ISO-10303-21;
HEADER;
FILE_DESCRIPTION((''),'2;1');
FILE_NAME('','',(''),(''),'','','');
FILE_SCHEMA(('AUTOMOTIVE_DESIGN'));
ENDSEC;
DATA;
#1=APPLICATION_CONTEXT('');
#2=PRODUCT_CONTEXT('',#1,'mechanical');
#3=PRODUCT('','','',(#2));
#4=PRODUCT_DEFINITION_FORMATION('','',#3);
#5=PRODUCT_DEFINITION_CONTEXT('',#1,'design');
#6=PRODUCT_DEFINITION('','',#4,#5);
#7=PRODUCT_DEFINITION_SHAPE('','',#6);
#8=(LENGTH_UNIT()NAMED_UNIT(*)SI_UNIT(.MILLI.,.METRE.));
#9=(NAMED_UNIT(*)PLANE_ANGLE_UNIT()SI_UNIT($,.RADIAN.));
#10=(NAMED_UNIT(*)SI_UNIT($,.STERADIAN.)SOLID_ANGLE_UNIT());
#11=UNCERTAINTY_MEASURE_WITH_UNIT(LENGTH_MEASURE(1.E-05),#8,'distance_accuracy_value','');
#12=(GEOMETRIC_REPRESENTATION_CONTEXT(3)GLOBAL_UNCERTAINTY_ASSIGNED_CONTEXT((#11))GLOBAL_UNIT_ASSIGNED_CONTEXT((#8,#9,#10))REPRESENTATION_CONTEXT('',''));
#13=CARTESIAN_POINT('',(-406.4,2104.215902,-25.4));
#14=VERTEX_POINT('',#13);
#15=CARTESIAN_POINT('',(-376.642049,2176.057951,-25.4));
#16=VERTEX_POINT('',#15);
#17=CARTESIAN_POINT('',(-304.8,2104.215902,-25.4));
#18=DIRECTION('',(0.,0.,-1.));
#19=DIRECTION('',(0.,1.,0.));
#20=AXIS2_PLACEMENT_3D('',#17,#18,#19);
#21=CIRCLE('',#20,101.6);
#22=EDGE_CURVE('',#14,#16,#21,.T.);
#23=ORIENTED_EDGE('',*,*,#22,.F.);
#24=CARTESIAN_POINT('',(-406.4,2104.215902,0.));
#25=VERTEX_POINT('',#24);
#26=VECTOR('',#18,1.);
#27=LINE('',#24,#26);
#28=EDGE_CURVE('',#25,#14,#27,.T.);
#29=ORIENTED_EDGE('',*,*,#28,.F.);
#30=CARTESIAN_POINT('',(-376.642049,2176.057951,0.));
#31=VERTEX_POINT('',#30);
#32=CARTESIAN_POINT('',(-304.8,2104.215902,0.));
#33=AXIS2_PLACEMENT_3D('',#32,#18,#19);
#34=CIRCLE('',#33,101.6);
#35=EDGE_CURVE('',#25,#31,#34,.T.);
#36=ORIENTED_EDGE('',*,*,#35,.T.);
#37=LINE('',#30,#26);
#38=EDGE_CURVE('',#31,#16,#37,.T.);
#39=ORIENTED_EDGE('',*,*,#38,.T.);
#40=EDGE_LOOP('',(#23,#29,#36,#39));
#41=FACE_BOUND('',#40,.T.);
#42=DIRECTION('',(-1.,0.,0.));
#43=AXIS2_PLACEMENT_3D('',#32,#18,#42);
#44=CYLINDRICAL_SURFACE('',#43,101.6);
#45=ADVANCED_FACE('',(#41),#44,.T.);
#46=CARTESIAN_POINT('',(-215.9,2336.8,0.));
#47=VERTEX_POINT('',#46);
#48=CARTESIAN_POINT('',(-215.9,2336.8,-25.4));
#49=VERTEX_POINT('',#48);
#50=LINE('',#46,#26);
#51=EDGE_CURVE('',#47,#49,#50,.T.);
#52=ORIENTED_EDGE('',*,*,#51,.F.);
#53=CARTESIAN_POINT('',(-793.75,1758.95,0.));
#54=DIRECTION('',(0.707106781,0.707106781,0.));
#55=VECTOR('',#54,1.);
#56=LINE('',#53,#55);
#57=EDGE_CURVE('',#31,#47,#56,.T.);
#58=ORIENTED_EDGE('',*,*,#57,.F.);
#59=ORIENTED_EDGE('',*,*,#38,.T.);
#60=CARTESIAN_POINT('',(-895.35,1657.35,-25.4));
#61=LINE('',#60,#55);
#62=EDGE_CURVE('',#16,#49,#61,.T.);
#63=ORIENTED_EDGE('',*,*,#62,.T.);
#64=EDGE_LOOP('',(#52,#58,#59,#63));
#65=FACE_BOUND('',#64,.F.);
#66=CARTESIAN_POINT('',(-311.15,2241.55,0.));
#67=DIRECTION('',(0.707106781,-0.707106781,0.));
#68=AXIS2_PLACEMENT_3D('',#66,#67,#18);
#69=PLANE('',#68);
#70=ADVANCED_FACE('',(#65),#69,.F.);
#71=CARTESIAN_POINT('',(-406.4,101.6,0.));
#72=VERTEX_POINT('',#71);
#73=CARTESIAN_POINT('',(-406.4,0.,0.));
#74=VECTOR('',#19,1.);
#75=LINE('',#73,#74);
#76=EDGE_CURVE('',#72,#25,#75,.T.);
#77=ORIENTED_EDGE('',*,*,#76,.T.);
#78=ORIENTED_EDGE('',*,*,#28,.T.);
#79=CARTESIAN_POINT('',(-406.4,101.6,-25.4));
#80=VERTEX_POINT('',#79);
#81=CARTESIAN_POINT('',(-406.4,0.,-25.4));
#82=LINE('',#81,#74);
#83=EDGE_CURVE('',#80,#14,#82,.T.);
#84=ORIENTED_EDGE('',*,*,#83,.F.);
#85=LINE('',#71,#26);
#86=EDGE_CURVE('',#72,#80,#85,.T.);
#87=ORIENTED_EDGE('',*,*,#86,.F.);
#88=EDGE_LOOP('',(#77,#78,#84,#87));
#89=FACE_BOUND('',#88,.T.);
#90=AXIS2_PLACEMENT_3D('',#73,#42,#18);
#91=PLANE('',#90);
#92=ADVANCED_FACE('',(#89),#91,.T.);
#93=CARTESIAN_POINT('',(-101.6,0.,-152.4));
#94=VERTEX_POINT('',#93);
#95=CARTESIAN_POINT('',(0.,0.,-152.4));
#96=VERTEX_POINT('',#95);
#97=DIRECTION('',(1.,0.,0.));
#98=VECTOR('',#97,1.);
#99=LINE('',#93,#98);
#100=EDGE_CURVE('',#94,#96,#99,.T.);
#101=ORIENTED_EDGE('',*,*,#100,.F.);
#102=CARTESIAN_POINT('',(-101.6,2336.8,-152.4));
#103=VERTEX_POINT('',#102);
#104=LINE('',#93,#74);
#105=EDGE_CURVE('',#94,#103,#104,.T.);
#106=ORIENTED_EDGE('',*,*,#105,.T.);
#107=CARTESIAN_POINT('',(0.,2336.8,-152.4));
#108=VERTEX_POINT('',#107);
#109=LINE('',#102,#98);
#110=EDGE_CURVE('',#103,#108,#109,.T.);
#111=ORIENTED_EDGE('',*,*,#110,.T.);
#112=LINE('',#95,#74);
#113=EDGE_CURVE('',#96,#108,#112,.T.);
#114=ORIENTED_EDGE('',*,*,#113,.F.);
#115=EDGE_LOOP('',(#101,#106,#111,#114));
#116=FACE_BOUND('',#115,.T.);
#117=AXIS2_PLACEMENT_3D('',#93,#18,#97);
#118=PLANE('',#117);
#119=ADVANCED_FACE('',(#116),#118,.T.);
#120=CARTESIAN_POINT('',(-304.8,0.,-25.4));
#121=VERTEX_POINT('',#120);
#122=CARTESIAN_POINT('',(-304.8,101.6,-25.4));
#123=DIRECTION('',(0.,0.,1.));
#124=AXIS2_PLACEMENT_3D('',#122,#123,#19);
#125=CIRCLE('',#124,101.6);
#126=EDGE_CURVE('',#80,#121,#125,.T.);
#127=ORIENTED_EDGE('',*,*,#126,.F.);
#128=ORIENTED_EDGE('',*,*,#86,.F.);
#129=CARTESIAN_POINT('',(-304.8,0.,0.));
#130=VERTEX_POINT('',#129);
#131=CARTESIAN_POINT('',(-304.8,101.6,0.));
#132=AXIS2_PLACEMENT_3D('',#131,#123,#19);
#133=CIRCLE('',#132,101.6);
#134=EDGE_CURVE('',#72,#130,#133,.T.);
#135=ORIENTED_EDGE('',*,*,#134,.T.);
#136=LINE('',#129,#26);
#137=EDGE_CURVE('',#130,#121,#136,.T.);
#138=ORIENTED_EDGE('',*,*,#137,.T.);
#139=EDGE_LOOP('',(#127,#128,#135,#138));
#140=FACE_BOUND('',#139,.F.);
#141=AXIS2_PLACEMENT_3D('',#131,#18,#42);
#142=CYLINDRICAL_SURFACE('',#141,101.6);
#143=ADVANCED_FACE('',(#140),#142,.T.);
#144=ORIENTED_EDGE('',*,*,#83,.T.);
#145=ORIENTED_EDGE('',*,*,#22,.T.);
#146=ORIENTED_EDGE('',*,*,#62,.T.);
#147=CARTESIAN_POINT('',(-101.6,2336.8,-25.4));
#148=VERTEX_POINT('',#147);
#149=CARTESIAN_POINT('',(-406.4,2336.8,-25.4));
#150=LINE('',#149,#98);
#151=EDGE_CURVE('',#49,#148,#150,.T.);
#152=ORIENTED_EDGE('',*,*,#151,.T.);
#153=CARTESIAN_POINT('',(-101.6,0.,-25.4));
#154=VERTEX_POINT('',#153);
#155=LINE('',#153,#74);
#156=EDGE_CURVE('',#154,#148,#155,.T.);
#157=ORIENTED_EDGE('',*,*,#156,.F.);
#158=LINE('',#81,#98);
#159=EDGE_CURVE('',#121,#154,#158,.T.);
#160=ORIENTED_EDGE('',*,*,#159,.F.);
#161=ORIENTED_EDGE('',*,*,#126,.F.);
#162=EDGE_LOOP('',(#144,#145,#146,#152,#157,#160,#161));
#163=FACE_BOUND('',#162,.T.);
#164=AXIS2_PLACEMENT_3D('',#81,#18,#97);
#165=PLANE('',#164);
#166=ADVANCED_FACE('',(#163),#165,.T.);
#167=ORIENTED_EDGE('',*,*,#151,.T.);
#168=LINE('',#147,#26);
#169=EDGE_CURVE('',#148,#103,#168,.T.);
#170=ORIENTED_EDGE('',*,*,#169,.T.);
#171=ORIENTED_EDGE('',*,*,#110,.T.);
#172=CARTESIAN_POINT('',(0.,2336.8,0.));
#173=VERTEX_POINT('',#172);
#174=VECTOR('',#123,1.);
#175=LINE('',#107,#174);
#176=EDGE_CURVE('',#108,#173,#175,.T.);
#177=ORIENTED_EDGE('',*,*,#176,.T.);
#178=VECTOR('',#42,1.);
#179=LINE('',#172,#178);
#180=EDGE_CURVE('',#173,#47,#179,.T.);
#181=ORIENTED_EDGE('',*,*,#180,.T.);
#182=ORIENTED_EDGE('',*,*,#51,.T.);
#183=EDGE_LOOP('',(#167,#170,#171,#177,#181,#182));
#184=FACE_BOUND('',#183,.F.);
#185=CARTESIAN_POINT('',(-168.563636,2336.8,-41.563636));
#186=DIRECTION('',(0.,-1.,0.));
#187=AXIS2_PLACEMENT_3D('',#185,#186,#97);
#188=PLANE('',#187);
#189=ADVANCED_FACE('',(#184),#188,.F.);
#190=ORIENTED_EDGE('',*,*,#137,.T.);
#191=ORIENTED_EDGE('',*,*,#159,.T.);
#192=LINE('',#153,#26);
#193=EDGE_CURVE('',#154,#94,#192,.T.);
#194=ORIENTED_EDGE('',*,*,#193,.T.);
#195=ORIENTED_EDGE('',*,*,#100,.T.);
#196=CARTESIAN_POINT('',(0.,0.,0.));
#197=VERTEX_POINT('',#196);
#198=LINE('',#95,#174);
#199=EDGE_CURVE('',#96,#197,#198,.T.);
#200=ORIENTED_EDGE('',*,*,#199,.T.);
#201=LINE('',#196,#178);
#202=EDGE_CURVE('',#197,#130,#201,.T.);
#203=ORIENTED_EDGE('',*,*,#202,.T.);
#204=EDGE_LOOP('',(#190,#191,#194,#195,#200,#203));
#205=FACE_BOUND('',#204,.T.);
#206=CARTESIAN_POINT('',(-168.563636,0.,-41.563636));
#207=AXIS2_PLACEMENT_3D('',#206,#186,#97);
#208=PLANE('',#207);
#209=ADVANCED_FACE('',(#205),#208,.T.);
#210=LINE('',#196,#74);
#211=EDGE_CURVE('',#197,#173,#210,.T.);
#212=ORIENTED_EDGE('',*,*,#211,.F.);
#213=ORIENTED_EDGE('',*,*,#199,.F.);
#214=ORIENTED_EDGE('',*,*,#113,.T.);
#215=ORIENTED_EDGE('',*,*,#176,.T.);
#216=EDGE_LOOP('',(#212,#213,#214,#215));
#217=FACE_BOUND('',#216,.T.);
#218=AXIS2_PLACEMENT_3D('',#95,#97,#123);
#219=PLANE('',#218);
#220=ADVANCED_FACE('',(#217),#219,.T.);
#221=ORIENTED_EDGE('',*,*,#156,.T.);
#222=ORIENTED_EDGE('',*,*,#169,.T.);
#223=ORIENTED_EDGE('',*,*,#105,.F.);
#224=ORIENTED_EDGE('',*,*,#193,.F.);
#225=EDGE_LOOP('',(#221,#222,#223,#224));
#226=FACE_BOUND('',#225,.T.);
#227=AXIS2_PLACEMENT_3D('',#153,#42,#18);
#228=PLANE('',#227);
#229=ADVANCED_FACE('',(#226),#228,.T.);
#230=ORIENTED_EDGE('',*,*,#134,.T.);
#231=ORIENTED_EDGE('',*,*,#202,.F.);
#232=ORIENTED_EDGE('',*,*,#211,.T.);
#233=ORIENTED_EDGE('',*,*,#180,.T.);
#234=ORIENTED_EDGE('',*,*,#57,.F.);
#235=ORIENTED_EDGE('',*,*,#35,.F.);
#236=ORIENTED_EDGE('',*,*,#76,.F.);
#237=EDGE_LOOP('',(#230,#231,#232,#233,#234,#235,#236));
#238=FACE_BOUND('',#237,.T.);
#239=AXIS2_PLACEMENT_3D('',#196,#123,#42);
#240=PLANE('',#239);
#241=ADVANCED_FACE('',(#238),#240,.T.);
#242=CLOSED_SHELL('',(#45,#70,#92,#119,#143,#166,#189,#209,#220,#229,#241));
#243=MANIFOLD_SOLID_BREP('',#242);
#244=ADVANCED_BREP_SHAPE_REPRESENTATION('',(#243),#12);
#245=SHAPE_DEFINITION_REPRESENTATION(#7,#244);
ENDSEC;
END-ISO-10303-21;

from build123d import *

# Parameters (mm, degrees)
F1_DEPTH = 2336.8
F2_SIZE  = 190.5
F3_R     = 101.6


with BuildPart() as f1:
    # F0 (on Front) → F1 (new body)
    with BuildSketch(Plane.XZ):
        Polygon((0, 0), (-406.4, 0), (-406.4, -25.4), (-101.6, -25.4), (-101.6, -152.4), (0, -152.4), align=None)
    extrude(amount=-F1_DEPTH)

    # F2
    f2_edges = [f1.edges().sort_by_distance(p)[0] for p in [
        (-406.4, 2336.8, -12.7),
    ]]
    chamfer(f2_edges, length=F2_SIZE)

    # F3
    f3_edges = [f1.edges().sort_by_distance(p)[0] for p in [
        (-406.4, 2146.3, -12.7),
        (-406.4, 0, -12.7),
    ]]
    fillet(f3_edges, radius=F3_R)


solid = f1.part
